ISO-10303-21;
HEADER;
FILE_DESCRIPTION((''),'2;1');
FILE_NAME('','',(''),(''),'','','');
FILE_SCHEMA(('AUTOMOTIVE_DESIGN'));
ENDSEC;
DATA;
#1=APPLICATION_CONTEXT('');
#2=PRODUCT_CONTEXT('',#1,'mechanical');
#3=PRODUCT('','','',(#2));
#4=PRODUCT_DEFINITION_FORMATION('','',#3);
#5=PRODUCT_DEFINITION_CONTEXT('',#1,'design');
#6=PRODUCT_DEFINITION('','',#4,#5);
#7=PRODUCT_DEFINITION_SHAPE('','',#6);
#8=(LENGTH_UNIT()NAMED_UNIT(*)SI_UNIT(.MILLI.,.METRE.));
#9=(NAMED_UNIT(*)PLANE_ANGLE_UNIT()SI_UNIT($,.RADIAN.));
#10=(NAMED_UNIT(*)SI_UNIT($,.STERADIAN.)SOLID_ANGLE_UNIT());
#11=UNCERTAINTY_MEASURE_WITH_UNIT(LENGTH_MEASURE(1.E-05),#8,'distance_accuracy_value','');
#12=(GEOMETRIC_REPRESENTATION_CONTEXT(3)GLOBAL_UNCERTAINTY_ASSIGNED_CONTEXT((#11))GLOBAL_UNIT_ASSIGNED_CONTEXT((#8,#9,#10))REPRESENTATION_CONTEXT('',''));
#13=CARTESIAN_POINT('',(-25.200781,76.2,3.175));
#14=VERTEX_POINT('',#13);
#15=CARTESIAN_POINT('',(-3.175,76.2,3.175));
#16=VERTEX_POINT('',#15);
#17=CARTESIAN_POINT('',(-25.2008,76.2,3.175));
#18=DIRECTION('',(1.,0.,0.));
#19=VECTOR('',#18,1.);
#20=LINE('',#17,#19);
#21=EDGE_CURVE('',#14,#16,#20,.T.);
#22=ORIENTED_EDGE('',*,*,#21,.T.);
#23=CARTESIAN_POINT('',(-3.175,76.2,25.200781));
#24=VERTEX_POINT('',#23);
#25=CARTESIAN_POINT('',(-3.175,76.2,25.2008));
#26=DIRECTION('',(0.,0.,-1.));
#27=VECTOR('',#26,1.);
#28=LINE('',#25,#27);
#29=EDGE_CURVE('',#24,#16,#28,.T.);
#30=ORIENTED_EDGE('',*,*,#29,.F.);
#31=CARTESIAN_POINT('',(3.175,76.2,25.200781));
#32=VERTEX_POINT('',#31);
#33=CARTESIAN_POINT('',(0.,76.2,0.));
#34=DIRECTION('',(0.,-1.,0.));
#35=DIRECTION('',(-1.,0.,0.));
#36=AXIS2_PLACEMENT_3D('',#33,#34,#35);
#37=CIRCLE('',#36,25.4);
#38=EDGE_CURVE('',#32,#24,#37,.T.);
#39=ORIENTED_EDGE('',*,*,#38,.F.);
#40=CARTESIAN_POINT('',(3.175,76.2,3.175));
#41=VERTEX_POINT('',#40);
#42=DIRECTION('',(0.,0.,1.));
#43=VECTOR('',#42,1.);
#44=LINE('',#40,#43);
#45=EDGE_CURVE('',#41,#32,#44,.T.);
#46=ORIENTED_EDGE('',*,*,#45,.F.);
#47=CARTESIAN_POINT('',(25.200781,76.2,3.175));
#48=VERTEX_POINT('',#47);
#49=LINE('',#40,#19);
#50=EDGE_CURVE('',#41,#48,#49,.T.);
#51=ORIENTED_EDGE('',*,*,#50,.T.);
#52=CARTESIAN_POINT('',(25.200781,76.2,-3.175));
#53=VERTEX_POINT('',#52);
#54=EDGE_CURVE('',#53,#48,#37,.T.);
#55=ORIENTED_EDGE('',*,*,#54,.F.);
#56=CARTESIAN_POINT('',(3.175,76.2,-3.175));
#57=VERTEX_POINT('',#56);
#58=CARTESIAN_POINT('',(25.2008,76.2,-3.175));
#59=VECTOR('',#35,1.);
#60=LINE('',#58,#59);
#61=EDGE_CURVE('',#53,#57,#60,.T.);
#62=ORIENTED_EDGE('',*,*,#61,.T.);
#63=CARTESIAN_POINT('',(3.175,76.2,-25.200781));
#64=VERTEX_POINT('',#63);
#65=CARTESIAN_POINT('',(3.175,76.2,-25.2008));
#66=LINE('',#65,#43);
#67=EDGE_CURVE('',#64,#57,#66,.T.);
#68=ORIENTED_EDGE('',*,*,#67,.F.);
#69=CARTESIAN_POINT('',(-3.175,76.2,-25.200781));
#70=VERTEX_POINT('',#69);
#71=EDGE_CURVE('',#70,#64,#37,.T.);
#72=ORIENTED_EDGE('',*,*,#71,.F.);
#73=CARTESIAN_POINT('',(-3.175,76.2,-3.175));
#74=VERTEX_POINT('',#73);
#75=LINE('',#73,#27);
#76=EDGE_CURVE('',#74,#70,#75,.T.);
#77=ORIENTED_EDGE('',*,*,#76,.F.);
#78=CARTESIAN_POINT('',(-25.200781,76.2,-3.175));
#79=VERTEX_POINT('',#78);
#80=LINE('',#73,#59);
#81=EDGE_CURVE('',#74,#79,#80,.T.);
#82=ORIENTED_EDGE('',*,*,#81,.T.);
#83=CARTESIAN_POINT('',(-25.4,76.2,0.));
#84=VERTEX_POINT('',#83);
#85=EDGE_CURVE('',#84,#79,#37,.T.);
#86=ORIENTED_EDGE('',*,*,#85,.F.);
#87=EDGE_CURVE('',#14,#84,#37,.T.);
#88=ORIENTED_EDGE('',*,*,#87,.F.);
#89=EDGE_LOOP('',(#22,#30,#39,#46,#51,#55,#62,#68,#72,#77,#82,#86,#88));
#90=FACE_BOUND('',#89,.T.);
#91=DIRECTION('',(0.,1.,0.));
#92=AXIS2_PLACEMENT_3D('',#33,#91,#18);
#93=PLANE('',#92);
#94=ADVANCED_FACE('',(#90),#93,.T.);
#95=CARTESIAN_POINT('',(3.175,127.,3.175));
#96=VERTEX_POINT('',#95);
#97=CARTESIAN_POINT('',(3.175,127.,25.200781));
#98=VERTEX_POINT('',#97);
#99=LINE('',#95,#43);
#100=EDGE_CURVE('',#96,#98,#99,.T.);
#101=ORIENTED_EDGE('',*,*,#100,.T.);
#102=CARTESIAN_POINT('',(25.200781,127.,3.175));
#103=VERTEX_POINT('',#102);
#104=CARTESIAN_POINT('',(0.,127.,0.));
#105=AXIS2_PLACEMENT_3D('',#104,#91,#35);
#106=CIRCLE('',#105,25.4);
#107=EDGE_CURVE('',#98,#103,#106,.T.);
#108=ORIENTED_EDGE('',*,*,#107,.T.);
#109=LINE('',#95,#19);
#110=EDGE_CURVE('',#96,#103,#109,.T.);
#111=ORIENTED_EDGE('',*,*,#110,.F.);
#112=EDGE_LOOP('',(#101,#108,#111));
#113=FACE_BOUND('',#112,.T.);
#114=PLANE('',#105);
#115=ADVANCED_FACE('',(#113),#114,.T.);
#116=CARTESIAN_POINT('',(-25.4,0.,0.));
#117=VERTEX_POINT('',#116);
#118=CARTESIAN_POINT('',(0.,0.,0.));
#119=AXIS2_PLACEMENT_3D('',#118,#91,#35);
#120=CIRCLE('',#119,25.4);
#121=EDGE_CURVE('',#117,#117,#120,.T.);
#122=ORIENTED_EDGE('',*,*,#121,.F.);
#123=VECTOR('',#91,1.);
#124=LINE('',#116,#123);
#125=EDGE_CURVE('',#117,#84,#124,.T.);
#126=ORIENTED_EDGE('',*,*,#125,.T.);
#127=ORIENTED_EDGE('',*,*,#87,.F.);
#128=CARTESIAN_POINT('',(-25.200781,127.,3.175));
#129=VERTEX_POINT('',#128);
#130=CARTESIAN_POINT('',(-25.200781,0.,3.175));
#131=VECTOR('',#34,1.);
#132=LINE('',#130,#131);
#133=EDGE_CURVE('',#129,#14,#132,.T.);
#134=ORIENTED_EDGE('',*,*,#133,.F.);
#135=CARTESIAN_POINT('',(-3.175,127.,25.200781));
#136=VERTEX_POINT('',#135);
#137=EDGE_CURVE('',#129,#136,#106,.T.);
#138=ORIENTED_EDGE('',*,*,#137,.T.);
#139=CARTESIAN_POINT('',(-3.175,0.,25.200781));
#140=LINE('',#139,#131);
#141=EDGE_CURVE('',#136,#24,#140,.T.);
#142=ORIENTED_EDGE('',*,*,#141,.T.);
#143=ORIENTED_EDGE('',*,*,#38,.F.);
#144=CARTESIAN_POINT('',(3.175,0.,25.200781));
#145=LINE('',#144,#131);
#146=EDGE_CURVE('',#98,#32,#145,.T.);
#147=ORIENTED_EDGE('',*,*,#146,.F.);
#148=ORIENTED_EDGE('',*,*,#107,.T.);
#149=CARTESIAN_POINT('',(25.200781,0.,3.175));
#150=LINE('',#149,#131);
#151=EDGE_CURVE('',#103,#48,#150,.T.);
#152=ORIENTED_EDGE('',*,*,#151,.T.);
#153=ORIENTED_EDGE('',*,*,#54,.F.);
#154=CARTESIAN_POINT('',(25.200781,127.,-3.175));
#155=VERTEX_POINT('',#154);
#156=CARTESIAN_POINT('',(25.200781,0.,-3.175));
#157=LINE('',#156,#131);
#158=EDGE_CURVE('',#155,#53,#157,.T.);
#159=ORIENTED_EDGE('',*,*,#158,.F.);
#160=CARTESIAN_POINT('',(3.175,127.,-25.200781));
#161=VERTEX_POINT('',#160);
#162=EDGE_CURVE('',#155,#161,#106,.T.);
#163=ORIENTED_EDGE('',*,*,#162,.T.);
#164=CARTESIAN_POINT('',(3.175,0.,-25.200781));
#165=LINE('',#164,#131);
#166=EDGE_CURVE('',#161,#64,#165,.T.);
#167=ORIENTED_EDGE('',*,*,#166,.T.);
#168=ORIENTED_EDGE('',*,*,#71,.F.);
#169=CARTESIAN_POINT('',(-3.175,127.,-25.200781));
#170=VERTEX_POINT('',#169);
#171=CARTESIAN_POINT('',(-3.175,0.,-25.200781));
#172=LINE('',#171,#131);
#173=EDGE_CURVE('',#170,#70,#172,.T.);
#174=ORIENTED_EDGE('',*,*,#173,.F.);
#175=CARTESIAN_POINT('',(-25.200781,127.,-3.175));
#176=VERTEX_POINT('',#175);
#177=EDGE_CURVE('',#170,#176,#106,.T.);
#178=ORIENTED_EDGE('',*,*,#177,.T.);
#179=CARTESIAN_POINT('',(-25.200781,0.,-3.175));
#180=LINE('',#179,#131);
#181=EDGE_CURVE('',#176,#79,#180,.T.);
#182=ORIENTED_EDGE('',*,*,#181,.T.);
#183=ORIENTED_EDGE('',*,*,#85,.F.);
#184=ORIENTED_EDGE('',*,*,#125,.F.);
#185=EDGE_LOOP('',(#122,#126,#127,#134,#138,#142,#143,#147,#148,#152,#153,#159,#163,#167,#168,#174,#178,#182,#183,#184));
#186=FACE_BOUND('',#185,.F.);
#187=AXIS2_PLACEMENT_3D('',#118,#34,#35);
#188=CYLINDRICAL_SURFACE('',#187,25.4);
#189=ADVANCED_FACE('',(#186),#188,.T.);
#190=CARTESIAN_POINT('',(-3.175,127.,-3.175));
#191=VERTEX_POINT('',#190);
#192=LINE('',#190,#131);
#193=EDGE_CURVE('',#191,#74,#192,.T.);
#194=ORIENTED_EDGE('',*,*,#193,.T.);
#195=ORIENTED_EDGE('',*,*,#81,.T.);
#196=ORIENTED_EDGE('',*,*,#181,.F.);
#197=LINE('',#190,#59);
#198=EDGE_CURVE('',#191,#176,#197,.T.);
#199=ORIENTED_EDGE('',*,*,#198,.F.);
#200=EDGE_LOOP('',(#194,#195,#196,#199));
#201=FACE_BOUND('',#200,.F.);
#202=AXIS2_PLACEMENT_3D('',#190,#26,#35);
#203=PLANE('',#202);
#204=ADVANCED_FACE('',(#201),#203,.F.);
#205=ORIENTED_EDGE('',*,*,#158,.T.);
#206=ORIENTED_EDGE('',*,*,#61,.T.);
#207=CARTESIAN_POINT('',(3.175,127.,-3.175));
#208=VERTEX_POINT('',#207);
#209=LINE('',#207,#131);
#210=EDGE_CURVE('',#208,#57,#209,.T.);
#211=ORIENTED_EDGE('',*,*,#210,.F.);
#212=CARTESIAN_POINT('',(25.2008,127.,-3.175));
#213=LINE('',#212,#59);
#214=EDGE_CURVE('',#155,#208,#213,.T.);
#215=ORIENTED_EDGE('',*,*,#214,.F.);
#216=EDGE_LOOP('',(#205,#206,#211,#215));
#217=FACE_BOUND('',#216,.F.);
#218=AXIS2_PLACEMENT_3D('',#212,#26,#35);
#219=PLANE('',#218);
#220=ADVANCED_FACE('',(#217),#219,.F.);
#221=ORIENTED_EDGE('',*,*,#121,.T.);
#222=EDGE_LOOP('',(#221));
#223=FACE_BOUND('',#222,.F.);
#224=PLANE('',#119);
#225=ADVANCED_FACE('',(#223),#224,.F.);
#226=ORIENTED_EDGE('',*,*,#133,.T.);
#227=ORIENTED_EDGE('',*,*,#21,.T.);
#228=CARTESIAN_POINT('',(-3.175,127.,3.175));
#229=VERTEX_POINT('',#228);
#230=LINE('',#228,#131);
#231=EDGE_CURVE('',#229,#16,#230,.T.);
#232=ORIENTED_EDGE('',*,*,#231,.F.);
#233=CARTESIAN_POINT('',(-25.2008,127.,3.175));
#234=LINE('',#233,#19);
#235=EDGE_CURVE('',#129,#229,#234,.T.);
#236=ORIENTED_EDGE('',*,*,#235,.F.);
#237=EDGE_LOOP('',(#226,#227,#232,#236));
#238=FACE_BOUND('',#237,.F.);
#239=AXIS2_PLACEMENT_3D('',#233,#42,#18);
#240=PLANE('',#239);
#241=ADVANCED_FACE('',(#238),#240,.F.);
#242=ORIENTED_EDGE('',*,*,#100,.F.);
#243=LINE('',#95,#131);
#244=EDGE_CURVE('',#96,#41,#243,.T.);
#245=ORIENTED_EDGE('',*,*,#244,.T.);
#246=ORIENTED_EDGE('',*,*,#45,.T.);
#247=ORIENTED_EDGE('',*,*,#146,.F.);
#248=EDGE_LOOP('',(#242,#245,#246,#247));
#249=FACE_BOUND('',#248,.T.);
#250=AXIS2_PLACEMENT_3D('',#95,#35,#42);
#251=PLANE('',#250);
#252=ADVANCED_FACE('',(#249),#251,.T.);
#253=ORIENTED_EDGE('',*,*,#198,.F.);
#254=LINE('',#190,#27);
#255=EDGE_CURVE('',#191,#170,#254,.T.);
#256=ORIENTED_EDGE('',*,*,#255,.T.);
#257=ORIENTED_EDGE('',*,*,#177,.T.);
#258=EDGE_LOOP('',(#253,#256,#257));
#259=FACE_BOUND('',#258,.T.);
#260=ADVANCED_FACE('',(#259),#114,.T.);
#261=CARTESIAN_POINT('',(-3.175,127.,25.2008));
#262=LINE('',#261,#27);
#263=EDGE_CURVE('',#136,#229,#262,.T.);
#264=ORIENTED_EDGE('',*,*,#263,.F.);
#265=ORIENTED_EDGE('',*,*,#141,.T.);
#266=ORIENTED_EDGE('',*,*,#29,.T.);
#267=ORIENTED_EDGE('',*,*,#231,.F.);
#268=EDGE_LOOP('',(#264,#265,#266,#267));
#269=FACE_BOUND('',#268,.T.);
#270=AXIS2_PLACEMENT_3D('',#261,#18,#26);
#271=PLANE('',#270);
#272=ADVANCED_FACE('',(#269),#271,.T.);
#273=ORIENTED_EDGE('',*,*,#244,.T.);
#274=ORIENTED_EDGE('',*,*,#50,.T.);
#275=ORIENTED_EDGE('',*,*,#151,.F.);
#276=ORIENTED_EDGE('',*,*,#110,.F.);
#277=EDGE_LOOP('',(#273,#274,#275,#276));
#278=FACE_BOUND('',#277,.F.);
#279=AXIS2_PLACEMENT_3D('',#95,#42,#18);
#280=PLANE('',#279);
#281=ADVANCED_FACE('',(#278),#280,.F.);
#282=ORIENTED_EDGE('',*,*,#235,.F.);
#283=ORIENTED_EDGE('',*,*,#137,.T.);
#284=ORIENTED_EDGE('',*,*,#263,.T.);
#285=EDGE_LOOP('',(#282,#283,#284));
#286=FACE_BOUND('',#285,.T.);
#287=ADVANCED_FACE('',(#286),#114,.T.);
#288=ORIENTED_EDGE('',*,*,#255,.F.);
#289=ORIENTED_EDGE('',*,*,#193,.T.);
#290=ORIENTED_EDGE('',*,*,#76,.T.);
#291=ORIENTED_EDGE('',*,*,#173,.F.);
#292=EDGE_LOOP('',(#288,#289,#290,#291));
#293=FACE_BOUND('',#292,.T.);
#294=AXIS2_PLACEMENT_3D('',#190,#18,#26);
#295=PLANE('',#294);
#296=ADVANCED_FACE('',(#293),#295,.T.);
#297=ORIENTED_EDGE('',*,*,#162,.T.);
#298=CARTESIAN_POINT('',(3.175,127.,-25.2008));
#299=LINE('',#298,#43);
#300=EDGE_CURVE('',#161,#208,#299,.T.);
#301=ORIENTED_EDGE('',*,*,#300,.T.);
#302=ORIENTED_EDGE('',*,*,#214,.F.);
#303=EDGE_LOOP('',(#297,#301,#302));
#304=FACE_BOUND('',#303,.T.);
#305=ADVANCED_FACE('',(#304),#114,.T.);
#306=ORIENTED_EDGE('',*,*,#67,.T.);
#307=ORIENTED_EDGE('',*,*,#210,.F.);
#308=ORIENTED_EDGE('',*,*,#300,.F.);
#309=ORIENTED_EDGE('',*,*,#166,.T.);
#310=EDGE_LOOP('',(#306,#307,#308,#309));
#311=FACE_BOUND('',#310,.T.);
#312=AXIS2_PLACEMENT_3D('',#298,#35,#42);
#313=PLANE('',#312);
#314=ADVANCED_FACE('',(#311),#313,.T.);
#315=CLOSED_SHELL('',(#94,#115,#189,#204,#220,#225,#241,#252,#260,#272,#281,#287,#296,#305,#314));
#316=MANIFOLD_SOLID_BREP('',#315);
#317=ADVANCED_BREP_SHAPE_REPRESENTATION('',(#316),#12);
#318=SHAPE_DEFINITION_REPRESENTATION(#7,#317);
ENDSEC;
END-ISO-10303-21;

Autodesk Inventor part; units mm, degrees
ref_plane "YZ Plane" through (0, 0, 0) normal (1, 0, 0) x (0, 1, 0)
ref_plane "XZ Plane" through (0, 0, 0) normal (0, 1, 0) x (-1, 0, 0)
sketch "Sketch1" plane through (0, 0, 0) normal (0, 1, 0) x (-1, 0, 0)
  circle A0 centre (0, 0) radius 25.4
  dimension "d1" = 50.8
extrude "Extrusion1" add sketch "Sketch1" along normal blind 127
sketch "Sketch2" plane through (0, 127, 0) normal (0, 1, 0) x (1, 0, 0)
  line L0 (-3.175, -25.2008) -> (-3.175, -3.175)
  line L1 (-3.175, 3.175) -> (-3.175, 25.2008)
  line L2 (25.2008, 3.175) -> (3.175, 3.175)
  line L3 (-3.175, 3.175) -> (-25.2008, 3.175)
  line L4 (3.175, 25.2008) -> (3.175, 3.175)
  line L5 (3.175, -3.175) -> (3.175, -25.2008)
  line L6 (-25.2008, -3.175) -> (-3.175, -3.175)
  line L7 (3.175, -3.175) -> (25.2008, -3.175)
  circle A0 centre (0, 0) radius 25.4 construction
  line L8 (0, 35.56) -> (0, -35.56) construction
  line L9 (35.56, 0) -> (-35.56, 0) construction
  arc A1 (3.175, 25.2008) -> (-3.175, 25.2008) centre (0, 0) ccw
  arc A2 (25.2008, -3.175) -> (25.2008, 3.175) centre (0, 0) ccw
  arc A3 (-25.2008, 3.175) -> (-25.2008, -3.175) centre (0, 0) ccw
  arc A4 (-3.175, -25.2008) -> (3.175, -25.2008) centre (0, 0) ccw
  dimension "d11" = 6.35
  dimension "d12" = 6.35
extrude "Extrusion2" cut sketch "Sketch2" against normal blind 50.8
equation "\"d12\" = d11"
properties part number "workfeatures2"
